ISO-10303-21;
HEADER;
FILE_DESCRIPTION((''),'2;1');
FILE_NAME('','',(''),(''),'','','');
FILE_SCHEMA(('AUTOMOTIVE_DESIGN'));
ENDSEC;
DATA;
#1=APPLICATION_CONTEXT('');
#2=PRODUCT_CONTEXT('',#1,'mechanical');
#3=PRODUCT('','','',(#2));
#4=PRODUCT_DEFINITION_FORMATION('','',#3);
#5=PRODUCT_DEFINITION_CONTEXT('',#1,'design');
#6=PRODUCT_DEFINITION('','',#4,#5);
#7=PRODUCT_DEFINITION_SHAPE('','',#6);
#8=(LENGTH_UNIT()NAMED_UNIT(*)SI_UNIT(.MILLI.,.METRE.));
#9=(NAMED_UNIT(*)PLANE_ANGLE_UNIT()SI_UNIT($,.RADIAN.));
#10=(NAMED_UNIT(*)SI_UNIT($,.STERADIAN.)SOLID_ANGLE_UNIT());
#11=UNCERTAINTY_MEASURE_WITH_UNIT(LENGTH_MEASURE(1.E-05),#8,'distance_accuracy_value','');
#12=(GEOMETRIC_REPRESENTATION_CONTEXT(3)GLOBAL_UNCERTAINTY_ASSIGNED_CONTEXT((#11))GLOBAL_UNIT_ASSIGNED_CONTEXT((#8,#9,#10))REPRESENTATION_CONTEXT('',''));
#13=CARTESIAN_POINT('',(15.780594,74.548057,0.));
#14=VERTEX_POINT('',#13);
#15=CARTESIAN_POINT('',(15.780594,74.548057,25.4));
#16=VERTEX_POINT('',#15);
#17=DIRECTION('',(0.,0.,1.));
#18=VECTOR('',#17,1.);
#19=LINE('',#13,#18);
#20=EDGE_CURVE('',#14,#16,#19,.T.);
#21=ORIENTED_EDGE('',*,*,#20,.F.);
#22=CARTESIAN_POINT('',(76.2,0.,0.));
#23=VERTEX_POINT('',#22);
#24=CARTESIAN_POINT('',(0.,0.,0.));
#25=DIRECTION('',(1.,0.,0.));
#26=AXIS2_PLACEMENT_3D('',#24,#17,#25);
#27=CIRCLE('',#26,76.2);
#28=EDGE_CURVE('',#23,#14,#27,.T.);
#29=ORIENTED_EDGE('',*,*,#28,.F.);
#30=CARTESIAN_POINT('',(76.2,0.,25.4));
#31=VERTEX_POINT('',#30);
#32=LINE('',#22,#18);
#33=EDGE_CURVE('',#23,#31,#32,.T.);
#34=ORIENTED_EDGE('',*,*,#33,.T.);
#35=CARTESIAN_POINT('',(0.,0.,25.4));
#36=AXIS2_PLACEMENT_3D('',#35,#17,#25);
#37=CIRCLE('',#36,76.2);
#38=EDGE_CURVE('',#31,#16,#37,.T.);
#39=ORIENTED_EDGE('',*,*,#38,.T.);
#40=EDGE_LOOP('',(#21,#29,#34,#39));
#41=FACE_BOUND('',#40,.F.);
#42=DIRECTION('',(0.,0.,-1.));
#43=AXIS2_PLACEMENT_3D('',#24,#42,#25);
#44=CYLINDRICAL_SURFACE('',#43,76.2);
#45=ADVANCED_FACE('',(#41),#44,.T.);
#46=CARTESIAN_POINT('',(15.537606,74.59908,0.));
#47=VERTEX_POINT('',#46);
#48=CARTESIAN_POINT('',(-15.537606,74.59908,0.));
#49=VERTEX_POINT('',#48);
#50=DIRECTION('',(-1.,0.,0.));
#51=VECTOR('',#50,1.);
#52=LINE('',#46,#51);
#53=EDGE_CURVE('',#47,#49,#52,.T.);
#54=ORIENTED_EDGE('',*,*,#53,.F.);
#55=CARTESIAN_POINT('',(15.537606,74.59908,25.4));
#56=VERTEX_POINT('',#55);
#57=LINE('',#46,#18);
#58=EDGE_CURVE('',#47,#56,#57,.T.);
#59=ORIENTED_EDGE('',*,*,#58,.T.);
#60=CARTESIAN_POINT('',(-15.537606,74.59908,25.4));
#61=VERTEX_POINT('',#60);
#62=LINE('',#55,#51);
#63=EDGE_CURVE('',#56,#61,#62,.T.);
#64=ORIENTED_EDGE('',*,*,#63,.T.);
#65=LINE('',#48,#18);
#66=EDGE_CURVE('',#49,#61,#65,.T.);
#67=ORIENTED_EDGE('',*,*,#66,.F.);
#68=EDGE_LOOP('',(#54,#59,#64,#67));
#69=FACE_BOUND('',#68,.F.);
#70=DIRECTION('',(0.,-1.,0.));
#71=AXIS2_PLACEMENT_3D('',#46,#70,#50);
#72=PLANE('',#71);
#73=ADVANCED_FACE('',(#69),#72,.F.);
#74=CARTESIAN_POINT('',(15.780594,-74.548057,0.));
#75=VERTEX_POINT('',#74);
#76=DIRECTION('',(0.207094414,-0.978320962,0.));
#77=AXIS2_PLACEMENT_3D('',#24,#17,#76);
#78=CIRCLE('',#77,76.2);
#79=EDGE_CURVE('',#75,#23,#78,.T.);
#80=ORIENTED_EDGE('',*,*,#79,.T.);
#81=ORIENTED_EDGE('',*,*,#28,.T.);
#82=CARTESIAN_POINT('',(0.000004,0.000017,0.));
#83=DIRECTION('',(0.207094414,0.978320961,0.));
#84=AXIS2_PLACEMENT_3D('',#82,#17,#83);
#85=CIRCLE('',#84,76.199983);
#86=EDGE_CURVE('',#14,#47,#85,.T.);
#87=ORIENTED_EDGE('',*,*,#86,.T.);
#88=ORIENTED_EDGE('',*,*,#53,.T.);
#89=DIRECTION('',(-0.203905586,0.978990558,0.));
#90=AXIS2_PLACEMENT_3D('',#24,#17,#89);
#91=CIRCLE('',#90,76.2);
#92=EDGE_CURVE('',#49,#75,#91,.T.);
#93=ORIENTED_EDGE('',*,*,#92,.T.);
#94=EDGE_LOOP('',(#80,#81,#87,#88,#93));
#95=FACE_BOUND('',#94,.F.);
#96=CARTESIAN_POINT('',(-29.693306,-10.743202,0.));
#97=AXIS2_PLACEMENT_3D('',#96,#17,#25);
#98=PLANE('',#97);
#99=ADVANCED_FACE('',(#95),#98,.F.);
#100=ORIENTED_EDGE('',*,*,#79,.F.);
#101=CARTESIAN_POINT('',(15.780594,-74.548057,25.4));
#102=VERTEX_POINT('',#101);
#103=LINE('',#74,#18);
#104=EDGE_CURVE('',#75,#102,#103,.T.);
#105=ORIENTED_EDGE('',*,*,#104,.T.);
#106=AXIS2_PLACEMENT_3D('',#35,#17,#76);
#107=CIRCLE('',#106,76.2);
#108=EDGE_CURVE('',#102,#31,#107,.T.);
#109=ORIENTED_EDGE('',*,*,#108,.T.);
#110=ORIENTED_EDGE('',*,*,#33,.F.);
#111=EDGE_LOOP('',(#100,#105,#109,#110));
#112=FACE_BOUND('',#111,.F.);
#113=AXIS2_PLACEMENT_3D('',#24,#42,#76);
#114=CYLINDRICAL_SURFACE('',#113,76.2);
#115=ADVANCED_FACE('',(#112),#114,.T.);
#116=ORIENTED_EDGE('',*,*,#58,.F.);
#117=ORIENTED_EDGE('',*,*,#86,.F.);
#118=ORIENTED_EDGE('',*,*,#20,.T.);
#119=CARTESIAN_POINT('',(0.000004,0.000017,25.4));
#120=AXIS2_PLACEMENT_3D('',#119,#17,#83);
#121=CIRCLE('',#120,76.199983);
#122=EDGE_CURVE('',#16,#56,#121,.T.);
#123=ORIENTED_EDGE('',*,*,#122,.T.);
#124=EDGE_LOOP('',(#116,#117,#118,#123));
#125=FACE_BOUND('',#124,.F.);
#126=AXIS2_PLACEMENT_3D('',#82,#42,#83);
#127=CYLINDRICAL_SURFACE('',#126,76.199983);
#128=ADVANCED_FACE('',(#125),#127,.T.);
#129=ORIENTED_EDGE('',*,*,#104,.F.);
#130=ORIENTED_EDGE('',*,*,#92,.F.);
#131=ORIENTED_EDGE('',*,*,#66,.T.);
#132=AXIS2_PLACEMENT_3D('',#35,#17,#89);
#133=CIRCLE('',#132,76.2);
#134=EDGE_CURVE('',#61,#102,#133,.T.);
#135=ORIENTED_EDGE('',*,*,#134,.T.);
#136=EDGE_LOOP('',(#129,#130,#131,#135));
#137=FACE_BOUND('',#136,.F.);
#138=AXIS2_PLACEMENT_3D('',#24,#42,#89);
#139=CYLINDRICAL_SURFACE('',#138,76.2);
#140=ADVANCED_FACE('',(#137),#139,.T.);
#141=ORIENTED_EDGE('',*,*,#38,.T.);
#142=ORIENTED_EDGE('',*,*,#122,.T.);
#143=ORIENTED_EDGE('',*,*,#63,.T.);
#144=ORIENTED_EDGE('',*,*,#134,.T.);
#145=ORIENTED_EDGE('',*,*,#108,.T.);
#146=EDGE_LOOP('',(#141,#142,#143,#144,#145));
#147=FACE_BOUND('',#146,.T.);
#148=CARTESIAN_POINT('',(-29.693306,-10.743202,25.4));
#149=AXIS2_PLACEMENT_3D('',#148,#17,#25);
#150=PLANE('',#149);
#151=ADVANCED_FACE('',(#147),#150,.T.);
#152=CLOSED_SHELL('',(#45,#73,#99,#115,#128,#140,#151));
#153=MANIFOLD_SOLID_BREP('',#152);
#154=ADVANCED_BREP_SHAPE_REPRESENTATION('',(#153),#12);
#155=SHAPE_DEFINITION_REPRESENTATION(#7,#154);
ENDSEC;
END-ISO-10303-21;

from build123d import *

# Parameters (mm, degrees)
F1_DEPTH = 25.4


with BuildPart() as f1:
    # F0 (on Top) → F1 (new body)
    with BuildSketch(Plane.XY):
        with BuildLine():
            Line((-15.537605658, -74.5480572665), (-15.537605658, 74.5990804931))
            ThreePointArc((-15.537605658, 74.5990804931), (-74.5736678483, -15.6591207816), (15.780594342, -74.5480572665))
            Line((15.780594342, -74.5480572665), (-15.537605658, -74.5480572665))
        make_face()
        with BuildLine():
            Line((15.537605658, 74.5990804931), (-15.537605658, 74.5990804931))
            Line((-15.537605658, 74.5990804931), (-15.537605658, -74.5480572665))
            Line((-15.537605658, -74.5480572665), (15.780594342, -74.5480572665))
            Line((15.780594342, -74.5480572665), (15.780594342, 74.5480572665))
            ThreePointArc((15.780594342, 74.5480572665), (15.6591207816, 74.5736678483), (15.537605658, 74.5990804931))
        make_face()
        with BuildLine():
            Line((15.780594342, 74.5480572665), (15.780594342, -74.5480572665))
            ThreePointArc((15.780594342, -74.5480572665), (59.1984851532, -47.9789470036), (76.2, 0))
            ThreePointArc((76.2, 0), (59.1984851532, 47.9789470036), (15.780594342, 74.5480572665))
        make_face()
    extrude(amount=F1_DEPTH)


solid = f1.part
